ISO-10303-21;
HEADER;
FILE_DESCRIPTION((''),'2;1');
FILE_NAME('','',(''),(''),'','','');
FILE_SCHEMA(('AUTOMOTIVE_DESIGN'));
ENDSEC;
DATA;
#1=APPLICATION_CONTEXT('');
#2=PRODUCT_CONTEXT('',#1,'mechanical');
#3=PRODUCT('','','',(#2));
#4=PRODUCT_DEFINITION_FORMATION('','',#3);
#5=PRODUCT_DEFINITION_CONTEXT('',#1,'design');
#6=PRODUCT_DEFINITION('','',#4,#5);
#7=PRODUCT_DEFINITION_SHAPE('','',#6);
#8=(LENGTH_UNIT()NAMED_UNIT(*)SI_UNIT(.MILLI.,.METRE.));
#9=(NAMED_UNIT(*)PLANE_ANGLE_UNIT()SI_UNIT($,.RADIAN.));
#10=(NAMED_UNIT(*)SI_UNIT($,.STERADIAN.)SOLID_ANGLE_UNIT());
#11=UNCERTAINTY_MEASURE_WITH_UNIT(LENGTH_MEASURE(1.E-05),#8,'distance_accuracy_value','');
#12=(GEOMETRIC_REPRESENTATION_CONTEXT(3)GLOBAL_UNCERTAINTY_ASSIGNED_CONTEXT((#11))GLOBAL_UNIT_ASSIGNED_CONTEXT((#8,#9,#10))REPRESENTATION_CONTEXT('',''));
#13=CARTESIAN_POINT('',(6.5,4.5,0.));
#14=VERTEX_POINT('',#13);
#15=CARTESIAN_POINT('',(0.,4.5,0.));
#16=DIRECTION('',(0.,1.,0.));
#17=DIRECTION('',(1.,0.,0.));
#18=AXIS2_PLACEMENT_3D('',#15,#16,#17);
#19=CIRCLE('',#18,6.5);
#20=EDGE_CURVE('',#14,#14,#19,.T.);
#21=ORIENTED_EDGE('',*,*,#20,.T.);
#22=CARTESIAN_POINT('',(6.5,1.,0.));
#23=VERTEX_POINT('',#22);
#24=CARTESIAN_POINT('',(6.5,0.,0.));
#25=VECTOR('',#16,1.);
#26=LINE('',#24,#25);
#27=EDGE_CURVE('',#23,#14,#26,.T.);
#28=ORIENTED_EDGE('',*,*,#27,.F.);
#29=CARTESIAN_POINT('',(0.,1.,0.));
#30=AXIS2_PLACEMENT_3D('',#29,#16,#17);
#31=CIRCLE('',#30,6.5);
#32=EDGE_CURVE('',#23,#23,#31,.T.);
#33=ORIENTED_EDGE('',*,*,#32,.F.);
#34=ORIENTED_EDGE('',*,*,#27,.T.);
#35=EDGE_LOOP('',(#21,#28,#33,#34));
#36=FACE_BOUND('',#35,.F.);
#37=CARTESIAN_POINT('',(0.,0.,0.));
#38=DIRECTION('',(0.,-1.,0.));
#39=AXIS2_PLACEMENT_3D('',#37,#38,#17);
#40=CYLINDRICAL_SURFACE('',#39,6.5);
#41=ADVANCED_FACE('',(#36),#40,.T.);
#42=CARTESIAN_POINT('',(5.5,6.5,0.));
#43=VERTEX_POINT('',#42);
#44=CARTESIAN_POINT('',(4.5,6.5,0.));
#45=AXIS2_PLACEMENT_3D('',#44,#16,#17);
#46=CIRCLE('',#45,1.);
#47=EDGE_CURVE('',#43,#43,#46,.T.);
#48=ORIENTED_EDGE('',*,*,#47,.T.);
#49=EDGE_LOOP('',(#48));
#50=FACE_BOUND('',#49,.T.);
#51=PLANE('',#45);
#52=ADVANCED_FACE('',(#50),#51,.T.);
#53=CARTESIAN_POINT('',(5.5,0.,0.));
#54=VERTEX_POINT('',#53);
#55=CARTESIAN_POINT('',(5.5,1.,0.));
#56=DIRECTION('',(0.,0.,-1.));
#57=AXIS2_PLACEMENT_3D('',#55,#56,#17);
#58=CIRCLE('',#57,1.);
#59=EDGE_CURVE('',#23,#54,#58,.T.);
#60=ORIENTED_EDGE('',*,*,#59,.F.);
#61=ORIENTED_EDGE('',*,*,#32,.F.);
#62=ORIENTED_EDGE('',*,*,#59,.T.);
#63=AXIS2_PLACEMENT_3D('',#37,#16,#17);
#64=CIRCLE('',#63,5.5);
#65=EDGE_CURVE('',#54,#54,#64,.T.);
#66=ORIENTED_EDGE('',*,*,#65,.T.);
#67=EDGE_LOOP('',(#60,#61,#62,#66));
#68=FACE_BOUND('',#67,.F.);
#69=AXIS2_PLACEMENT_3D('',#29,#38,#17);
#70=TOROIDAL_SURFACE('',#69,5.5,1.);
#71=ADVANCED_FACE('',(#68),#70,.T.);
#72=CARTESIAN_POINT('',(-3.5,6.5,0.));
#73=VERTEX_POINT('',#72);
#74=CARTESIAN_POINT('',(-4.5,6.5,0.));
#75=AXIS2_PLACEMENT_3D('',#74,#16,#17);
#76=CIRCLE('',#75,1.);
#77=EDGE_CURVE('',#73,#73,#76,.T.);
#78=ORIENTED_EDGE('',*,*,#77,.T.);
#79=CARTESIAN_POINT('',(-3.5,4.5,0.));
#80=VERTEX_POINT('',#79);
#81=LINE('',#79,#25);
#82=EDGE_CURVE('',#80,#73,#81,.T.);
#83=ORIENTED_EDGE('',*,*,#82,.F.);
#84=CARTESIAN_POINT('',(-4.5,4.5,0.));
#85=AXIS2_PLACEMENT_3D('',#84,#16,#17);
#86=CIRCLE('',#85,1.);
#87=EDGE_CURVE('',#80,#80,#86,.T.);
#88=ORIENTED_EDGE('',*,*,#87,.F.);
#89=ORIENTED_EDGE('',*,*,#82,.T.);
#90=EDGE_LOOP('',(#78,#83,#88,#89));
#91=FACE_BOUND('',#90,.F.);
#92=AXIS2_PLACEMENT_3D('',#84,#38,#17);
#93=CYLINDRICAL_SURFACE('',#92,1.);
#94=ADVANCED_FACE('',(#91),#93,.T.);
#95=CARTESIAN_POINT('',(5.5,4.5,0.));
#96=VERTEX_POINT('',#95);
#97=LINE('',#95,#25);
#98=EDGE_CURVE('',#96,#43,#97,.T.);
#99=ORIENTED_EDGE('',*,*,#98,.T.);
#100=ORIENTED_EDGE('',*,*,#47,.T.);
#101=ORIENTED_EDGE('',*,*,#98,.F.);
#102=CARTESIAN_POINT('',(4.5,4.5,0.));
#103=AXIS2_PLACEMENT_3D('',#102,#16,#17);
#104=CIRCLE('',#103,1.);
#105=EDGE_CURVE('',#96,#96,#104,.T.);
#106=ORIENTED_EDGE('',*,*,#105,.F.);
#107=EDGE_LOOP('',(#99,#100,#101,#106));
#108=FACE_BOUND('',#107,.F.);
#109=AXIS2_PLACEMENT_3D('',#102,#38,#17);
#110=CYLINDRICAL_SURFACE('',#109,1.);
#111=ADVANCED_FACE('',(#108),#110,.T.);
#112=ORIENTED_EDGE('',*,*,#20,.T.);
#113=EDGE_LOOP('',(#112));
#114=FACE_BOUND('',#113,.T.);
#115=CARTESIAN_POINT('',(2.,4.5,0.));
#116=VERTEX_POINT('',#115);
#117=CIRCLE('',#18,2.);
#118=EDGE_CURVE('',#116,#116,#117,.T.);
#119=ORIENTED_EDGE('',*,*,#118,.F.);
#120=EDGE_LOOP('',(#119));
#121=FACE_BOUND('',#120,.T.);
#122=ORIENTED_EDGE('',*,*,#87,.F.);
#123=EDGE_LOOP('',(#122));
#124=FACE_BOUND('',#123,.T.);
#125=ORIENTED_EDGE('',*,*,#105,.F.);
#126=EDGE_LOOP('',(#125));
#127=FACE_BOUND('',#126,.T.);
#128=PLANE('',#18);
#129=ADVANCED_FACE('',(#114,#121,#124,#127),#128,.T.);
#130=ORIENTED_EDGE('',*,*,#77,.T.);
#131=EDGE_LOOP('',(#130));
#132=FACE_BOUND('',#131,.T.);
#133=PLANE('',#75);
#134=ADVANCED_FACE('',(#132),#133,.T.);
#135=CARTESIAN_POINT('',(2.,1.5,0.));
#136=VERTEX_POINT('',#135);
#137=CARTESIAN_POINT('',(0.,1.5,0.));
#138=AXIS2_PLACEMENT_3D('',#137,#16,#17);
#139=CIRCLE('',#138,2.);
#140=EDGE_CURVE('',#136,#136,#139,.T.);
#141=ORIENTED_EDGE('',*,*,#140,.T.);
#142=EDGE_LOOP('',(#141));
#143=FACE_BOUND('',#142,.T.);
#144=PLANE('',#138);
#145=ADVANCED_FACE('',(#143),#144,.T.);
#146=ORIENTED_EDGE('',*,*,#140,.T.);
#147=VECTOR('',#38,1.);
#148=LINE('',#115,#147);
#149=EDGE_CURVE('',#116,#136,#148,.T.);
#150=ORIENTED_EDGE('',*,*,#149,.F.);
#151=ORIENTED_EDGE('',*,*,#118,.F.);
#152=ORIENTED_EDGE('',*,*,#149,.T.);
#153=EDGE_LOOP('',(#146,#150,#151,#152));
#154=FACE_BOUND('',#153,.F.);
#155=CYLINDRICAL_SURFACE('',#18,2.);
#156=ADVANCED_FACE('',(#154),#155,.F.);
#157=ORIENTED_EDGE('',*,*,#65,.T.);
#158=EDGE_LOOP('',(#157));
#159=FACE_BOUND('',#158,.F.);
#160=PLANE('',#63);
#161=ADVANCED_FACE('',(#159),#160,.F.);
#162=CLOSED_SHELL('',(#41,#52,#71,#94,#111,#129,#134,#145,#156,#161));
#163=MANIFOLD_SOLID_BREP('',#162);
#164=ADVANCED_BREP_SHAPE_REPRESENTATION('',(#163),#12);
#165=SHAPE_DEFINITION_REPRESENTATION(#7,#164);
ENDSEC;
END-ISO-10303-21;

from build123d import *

# Parameters (mm, degrees)
F0_R     = 6.5
F1_DEPTH = 4.5
F2_R     = 2
F3_DEPTH = 3
F4_R     = 1
F5_DEPTH = 2
F6_R     = 1
F8_ANGLE = -90


with BuildPart() as f1:
    # F0 (on Top) → F1 (new body)
    with BuildSketch(Plane.XY):
        Circle(F0_R)
    extrude(amount=F1_DEPTH)

    # F2 (on face) → F3 (cut)
    with BuildSketch(Plane.XY.offset(4.5)):
        Circle(F2_R)
    extrude(amount=-F3_DEPTH, mode=Mode.SUBTRACT)

    # F4 (on face) → F5 (join)
    with BuildSketch(Plane.XY.offset(4.5)):
        with Locations((-4.5, 0)):
            Circle(F4_R)
        with Locations((4.5, 0)):
            Circle(F4_R)
    extrude(amount=F5_DEPTH)

    # F6
    f6_edges = [f1.edges().sort_by_distance(p)[0] for p in [
        (-6.5, 0, 0),
    ]]
    fillet(f6_edges, radius=F6_R)


with BuildPart() as f1_1:
    # F8: moved
    add(f1.part.rotate(Axis((4.46189, 0, 0), (1, 0, 0)), F8_ANGLE))


solid = f1_1.part
